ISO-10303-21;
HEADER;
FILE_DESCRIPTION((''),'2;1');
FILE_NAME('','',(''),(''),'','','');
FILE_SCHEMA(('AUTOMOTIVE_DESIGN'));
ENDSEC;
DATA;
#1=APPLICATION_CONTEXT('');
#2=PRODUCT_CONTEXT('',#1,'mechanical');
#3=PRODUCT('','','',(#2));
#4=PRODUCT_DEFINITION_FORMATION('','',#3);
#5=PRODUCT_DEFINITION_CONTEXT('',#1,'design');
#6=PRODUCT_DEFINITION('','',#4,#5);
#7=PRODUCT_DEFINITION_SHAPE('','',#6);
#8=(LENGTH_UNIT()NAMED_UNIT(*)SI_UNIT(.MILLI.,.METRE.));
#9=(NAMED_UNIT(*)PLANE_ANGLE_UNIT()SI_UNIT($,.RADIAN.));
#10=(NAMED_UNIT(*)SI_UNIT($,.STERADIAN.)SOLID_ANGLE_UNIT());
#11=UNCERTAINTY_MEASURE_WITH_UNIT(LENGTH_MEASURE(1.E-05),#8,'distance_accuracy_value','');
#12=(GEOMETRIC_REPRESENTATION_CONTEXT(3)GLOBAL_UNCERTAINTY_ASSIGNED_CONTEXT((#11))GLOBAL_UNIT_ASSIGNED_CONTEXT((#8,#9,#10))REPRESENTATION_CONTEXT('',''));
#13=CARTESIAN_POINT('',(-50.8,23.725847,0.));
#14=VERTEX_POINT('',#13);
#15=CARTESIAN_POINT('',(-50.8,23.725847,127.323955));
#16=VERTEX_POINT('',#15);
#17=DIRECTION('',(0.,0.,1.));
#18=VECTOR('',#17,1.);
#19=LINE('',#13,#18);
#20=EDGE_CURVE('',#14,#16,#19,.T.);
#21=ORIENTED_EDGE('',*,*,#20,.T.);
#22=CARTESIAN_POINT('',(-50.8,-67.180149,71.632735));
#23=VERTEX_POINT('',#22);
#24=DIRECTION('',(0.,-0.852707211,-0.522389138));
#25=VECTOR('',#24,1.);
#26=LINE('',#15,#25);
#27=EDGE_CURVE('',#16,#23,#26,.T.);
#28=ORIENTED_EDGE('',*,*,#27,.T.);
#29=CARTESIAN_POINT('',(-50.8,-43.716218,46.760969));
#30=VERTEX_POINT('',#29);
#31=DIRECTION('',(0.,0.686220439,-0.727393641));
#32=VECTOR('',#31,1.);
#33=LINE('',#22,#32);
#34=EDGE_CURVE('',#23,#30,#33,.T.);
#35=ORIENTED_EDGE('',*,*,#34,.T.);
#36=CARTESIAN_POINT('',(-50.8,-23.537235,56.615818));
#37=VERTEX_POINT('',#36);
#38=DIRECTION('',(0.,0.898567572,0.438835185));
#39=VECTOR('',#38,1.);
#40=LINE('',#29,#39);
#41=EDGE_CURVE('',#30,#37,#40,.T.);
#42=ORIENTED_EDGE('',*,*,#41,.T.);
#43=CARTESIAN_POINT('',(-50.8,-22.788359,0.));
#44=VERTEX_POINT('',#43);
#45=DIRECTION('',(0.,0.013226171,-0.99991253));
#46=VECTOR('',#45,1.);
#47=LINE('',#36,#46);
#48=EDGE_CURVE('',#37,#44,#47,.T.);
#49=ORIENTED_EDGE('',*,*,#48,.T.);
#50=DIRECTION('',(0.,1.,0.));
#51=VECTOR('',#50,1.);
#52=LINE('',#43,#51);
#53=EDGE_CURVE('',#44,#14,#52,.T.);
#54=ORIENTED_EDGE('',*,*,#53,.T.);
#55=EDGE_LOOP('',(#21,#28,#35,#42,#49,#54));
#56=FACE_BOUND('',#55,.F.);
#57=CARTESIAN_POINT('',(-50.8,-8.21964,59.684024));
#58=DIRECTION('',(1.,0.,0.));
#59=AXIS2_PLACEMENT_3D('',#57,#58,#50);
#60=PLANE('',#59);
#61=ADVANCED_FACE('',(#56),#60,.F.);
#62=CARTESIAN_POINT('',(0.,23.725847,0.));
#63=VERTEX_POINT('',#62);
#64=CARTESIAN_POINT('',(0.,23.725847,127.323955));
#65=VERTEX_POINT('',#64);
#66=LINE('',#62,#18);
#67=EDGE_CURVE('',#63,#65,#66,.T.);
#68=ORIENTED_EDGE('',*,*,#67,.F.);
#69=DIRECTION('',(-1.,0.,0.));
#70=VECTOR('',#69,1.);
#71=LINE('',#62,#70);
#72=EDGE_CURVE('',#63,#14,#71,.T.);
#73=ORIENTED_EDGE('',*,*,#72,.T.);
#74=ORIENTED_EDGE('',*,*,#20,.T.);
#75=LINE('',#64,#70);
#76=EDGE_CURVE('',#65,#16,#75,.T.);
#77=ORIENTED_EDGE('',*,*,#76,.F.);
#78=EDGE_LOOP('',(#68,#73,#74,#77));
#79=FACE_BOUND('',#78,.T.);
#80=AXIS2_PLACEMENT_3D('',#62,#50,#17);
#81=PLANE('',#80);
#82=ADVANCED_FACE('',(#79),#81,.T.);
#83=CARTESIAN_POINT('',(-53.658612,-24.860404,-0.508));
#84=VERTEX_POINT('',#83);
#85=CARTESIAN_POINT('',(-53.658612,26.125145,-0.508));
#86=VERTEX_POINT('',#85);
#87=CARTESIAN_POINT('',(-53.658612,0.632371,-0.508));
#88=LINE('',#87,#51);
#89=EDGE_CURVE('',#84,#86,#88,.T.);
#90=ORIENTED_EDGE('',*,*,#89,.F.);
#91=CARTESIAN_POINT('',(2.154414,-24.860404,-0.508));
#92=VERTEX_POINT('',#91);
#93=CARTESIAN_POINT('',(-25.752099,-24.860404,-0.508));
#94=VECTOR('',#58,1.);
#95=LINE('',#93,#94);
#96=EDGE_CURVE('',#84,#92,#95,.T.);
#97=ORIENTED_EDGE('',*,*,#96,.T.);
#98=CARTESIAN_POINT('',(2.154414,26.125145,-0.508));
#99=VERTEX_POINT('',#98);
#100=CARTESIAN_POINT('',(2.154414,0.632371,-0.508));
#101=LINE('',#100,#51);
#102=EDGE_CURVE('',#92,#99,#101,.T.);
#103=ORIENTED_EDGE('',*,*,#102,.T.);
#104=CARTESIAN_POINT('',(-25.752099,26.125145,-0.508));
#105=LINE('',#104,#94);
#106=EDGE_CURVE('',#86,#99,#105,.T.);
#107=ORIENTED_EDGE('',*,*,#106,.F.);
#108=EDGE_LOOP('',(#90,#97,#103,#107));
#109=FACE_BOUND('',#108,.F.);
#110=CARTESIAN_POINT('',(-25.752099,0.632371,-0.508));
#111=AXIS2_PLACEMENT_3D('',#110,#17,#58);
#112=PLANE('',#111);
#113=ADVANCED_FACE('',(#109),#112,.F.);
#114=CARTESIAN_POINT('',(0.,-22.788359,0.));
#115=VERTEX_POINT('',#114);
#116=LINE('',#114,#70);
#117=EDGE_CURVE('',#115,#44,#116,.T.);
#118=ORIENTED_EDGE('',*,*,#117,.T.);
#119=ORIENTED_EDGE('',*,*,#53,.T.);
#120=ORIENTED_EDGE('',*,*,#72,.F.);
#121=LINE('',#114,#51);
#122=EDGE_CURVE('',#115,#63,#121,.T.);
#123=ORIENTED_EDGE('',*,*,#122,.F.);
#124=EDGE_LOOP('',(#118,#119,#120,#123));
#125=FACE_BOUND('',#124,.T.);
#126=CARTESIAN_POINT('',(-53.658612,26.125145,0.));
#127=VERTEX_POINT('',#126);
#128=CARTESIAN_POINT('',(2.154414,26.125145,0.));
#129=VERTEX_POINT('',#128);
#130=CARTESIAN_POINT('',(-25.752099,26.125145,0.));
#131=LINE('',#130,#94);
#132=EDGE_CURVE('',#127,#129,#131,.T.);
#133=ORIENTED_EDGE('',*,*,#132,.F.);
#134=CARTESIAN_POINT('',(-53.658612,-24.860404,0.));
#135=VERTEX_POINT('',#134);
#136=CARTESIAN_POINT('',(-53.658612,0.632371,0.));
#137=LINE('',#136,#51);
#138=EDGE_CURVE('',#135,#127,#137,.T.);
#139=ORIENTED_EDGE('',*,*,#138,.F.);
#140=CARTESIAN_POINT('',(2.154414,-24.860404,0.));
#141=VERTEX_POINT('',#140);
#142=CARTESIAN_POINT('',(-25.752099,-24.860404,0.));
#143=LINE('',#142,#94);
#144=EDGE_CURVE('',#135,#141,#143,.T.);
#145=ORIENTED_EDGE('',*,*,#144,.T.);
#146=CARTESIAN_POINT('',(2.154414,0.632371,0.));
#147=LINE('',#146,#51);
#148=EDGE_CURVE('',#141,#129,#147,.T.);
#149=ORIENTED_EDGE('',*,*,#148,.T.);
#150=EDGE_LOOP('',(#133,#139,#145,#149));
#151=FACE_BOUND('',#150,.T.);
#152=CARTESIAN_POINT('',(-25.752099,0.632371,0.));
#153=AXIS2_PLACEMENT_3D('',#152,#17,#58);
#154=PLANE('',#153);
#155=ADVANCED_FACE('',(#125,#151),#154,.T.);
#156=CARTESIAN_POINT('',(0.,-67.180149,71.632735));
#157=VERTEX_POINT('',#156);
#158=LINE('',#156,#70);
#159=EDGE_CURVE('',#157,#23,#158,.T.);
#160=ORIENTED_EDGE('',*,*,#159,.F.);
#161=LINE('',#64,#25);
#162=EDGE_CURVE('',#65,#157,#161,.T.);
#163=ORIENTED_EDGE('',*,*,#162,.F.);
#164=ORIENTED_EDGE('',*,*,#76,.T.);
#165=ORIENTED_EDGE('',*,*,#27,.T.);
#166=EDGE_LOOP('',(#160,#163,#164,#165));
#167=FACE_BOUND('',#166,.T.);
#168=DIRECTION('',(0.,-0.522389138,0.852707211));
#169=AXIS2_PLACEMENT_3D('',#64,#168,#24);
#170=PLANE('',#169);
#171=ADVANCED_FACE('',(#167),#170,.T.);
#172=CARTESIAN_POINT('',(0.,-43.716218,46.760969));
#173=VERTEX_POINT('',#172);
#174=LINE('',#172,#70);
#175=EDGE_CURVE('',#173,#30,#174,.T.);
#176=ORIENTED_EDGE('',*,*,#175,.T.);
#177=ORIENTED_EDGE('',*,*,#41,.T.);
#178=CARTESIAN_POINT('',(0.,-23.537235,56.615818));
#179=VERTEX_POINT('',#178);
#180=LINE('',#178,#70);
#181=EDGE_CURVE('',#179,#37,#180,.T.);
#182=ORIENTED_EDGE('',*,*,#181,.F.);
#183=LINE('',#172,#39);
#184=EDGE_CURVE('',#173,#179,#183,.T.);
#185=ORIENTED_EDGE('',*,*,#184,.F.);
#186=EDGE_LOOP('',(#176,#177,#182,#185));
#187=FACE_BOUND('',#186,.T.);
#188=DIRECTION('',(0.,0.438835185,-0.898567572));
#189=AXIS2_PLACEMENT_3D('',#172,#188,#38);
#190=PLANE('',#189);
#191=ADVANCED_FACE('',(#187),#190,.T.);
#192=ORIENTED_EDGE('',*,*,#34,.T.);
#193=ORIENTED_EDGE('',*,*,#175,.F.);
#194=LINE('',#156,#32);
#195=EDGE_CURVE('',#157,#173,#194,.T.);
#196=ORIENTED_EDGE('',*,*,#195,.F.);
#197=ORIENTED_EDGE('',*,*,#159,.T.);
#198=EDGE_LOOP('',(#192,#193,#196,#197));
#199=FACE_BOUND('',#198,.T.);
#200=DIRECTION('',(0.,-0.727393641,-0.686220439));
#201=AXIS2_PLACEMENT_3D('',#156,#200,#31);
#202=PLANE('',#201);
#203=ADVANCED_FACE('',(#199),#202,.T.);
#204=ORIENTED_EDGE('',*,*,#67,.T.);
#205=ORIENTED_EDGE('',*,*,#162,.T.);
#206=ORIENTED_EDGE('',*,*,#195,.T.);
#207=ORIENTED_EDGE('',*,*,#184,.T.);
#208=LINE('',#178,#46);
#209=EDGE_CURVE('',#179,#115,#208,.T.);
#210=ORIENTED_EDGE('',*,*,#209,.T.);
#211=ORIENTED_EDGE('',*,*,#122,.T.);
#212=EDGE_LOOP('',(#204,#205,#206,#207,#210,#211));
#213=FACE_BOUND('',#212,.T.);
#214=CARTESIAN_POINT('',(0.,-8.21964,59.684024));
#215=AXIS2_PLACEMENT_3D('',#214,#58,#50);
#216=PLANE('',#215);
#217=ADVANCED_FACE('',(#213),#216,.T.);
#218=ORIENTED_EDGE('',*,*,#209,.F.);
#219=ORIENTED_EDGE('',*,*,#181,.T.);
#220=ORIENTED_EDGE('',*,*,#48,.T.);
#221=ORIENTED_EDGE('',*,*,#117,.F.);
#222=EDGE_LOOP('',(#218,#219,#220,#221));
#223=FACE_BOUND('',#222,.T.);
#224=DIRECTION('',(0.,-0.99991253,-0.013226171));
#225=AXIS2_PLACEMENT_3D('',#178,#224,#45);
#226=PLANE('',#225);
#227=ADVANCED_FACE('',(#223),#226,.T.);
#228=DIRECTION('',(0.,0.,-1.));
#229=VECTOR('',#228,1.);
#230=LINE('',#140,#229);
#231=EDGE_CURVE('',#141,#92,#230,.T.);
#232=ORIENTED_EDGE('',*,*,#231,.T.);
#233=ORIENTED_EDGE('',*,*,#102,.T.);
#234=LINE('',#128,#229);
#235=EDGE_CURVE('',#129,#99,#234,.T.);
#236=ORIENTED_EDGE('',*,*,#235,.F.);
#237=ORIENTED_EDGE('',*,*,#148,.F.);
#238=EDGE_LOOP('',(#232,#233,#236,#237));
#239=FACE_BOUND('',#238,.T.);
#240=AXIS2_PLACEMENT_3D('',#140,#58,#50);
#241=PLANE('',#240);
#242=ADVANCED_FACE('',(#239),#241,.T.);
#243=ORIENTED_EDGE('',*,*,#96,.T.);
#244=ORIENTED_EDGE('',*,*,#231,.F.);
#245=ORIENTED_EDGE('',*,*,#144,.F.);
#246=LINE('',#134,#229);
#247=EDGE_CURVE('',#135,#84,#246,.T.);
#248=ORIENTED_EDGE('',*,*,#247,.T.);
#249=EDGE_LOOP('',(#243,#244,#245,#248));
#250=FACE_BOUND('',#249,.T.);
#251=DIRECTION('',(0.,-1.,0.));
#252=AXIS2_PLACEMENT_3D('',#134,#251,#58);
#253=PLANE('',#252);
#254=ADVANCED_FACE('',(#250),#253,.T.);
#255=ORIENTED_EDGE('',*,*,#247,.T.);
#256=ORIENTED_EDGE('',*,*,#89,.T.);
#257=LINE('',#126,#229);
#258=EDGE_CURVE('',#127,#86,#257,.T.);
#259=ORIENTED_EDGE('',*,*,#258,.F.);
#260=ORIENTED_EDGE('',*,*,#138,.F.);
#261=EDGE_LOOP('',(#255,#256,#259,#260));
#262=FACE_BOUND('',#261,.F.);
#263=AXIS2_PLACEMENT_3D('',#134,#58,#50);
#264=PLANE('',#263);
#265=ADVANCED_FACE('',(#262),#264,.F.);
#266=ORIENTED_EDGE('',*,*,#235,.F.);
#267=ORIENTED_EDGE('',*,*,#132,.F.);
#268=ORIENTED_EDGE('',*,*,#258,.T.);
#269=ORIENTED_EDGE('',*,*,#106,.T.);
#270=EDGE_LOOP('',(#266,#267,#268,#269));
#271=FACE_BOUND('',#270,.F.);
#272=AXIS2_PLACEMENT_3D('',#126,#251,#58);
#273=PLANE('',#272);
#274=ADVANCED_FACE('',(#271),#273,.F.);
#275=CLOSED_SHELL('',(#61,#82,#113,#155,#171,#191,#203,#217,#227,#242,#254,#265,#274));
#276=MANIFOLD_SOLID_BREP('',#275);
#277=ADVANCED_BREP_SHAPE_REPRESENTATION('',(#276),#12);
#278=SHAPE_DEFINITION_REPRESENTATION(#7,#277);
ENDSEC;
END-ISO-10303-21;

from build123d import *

# Parameters (mm, degrees)
F1_DEPTH = 50.8
F2_W     = 55.813026
F2_H     = 50.985549
F3_DEPTH = 0.508


with BuildPart() as f1:
    # F0 (on Right) → F1 (new body)
    with BuildSketch(Plane.YZ):
        Polygon((-23.537235, 56.615818), (-22.788359, 0), (23.725847, 0), (23.725847, 127.323955), (-67.180149, 71.632735), (-43.716218, 46.760969), align=None)
    extrude(amount=-F1_DEPTH)

    # F2 (on Top) → F3 (join)
    with BuildSketch(Plane.XY):
        with Locations((-25.752099, 0.632371)):
            Rectangle(F2_W, F2_H)
    extrude(amount=-F3_DEPTH)


solid = f1.part
